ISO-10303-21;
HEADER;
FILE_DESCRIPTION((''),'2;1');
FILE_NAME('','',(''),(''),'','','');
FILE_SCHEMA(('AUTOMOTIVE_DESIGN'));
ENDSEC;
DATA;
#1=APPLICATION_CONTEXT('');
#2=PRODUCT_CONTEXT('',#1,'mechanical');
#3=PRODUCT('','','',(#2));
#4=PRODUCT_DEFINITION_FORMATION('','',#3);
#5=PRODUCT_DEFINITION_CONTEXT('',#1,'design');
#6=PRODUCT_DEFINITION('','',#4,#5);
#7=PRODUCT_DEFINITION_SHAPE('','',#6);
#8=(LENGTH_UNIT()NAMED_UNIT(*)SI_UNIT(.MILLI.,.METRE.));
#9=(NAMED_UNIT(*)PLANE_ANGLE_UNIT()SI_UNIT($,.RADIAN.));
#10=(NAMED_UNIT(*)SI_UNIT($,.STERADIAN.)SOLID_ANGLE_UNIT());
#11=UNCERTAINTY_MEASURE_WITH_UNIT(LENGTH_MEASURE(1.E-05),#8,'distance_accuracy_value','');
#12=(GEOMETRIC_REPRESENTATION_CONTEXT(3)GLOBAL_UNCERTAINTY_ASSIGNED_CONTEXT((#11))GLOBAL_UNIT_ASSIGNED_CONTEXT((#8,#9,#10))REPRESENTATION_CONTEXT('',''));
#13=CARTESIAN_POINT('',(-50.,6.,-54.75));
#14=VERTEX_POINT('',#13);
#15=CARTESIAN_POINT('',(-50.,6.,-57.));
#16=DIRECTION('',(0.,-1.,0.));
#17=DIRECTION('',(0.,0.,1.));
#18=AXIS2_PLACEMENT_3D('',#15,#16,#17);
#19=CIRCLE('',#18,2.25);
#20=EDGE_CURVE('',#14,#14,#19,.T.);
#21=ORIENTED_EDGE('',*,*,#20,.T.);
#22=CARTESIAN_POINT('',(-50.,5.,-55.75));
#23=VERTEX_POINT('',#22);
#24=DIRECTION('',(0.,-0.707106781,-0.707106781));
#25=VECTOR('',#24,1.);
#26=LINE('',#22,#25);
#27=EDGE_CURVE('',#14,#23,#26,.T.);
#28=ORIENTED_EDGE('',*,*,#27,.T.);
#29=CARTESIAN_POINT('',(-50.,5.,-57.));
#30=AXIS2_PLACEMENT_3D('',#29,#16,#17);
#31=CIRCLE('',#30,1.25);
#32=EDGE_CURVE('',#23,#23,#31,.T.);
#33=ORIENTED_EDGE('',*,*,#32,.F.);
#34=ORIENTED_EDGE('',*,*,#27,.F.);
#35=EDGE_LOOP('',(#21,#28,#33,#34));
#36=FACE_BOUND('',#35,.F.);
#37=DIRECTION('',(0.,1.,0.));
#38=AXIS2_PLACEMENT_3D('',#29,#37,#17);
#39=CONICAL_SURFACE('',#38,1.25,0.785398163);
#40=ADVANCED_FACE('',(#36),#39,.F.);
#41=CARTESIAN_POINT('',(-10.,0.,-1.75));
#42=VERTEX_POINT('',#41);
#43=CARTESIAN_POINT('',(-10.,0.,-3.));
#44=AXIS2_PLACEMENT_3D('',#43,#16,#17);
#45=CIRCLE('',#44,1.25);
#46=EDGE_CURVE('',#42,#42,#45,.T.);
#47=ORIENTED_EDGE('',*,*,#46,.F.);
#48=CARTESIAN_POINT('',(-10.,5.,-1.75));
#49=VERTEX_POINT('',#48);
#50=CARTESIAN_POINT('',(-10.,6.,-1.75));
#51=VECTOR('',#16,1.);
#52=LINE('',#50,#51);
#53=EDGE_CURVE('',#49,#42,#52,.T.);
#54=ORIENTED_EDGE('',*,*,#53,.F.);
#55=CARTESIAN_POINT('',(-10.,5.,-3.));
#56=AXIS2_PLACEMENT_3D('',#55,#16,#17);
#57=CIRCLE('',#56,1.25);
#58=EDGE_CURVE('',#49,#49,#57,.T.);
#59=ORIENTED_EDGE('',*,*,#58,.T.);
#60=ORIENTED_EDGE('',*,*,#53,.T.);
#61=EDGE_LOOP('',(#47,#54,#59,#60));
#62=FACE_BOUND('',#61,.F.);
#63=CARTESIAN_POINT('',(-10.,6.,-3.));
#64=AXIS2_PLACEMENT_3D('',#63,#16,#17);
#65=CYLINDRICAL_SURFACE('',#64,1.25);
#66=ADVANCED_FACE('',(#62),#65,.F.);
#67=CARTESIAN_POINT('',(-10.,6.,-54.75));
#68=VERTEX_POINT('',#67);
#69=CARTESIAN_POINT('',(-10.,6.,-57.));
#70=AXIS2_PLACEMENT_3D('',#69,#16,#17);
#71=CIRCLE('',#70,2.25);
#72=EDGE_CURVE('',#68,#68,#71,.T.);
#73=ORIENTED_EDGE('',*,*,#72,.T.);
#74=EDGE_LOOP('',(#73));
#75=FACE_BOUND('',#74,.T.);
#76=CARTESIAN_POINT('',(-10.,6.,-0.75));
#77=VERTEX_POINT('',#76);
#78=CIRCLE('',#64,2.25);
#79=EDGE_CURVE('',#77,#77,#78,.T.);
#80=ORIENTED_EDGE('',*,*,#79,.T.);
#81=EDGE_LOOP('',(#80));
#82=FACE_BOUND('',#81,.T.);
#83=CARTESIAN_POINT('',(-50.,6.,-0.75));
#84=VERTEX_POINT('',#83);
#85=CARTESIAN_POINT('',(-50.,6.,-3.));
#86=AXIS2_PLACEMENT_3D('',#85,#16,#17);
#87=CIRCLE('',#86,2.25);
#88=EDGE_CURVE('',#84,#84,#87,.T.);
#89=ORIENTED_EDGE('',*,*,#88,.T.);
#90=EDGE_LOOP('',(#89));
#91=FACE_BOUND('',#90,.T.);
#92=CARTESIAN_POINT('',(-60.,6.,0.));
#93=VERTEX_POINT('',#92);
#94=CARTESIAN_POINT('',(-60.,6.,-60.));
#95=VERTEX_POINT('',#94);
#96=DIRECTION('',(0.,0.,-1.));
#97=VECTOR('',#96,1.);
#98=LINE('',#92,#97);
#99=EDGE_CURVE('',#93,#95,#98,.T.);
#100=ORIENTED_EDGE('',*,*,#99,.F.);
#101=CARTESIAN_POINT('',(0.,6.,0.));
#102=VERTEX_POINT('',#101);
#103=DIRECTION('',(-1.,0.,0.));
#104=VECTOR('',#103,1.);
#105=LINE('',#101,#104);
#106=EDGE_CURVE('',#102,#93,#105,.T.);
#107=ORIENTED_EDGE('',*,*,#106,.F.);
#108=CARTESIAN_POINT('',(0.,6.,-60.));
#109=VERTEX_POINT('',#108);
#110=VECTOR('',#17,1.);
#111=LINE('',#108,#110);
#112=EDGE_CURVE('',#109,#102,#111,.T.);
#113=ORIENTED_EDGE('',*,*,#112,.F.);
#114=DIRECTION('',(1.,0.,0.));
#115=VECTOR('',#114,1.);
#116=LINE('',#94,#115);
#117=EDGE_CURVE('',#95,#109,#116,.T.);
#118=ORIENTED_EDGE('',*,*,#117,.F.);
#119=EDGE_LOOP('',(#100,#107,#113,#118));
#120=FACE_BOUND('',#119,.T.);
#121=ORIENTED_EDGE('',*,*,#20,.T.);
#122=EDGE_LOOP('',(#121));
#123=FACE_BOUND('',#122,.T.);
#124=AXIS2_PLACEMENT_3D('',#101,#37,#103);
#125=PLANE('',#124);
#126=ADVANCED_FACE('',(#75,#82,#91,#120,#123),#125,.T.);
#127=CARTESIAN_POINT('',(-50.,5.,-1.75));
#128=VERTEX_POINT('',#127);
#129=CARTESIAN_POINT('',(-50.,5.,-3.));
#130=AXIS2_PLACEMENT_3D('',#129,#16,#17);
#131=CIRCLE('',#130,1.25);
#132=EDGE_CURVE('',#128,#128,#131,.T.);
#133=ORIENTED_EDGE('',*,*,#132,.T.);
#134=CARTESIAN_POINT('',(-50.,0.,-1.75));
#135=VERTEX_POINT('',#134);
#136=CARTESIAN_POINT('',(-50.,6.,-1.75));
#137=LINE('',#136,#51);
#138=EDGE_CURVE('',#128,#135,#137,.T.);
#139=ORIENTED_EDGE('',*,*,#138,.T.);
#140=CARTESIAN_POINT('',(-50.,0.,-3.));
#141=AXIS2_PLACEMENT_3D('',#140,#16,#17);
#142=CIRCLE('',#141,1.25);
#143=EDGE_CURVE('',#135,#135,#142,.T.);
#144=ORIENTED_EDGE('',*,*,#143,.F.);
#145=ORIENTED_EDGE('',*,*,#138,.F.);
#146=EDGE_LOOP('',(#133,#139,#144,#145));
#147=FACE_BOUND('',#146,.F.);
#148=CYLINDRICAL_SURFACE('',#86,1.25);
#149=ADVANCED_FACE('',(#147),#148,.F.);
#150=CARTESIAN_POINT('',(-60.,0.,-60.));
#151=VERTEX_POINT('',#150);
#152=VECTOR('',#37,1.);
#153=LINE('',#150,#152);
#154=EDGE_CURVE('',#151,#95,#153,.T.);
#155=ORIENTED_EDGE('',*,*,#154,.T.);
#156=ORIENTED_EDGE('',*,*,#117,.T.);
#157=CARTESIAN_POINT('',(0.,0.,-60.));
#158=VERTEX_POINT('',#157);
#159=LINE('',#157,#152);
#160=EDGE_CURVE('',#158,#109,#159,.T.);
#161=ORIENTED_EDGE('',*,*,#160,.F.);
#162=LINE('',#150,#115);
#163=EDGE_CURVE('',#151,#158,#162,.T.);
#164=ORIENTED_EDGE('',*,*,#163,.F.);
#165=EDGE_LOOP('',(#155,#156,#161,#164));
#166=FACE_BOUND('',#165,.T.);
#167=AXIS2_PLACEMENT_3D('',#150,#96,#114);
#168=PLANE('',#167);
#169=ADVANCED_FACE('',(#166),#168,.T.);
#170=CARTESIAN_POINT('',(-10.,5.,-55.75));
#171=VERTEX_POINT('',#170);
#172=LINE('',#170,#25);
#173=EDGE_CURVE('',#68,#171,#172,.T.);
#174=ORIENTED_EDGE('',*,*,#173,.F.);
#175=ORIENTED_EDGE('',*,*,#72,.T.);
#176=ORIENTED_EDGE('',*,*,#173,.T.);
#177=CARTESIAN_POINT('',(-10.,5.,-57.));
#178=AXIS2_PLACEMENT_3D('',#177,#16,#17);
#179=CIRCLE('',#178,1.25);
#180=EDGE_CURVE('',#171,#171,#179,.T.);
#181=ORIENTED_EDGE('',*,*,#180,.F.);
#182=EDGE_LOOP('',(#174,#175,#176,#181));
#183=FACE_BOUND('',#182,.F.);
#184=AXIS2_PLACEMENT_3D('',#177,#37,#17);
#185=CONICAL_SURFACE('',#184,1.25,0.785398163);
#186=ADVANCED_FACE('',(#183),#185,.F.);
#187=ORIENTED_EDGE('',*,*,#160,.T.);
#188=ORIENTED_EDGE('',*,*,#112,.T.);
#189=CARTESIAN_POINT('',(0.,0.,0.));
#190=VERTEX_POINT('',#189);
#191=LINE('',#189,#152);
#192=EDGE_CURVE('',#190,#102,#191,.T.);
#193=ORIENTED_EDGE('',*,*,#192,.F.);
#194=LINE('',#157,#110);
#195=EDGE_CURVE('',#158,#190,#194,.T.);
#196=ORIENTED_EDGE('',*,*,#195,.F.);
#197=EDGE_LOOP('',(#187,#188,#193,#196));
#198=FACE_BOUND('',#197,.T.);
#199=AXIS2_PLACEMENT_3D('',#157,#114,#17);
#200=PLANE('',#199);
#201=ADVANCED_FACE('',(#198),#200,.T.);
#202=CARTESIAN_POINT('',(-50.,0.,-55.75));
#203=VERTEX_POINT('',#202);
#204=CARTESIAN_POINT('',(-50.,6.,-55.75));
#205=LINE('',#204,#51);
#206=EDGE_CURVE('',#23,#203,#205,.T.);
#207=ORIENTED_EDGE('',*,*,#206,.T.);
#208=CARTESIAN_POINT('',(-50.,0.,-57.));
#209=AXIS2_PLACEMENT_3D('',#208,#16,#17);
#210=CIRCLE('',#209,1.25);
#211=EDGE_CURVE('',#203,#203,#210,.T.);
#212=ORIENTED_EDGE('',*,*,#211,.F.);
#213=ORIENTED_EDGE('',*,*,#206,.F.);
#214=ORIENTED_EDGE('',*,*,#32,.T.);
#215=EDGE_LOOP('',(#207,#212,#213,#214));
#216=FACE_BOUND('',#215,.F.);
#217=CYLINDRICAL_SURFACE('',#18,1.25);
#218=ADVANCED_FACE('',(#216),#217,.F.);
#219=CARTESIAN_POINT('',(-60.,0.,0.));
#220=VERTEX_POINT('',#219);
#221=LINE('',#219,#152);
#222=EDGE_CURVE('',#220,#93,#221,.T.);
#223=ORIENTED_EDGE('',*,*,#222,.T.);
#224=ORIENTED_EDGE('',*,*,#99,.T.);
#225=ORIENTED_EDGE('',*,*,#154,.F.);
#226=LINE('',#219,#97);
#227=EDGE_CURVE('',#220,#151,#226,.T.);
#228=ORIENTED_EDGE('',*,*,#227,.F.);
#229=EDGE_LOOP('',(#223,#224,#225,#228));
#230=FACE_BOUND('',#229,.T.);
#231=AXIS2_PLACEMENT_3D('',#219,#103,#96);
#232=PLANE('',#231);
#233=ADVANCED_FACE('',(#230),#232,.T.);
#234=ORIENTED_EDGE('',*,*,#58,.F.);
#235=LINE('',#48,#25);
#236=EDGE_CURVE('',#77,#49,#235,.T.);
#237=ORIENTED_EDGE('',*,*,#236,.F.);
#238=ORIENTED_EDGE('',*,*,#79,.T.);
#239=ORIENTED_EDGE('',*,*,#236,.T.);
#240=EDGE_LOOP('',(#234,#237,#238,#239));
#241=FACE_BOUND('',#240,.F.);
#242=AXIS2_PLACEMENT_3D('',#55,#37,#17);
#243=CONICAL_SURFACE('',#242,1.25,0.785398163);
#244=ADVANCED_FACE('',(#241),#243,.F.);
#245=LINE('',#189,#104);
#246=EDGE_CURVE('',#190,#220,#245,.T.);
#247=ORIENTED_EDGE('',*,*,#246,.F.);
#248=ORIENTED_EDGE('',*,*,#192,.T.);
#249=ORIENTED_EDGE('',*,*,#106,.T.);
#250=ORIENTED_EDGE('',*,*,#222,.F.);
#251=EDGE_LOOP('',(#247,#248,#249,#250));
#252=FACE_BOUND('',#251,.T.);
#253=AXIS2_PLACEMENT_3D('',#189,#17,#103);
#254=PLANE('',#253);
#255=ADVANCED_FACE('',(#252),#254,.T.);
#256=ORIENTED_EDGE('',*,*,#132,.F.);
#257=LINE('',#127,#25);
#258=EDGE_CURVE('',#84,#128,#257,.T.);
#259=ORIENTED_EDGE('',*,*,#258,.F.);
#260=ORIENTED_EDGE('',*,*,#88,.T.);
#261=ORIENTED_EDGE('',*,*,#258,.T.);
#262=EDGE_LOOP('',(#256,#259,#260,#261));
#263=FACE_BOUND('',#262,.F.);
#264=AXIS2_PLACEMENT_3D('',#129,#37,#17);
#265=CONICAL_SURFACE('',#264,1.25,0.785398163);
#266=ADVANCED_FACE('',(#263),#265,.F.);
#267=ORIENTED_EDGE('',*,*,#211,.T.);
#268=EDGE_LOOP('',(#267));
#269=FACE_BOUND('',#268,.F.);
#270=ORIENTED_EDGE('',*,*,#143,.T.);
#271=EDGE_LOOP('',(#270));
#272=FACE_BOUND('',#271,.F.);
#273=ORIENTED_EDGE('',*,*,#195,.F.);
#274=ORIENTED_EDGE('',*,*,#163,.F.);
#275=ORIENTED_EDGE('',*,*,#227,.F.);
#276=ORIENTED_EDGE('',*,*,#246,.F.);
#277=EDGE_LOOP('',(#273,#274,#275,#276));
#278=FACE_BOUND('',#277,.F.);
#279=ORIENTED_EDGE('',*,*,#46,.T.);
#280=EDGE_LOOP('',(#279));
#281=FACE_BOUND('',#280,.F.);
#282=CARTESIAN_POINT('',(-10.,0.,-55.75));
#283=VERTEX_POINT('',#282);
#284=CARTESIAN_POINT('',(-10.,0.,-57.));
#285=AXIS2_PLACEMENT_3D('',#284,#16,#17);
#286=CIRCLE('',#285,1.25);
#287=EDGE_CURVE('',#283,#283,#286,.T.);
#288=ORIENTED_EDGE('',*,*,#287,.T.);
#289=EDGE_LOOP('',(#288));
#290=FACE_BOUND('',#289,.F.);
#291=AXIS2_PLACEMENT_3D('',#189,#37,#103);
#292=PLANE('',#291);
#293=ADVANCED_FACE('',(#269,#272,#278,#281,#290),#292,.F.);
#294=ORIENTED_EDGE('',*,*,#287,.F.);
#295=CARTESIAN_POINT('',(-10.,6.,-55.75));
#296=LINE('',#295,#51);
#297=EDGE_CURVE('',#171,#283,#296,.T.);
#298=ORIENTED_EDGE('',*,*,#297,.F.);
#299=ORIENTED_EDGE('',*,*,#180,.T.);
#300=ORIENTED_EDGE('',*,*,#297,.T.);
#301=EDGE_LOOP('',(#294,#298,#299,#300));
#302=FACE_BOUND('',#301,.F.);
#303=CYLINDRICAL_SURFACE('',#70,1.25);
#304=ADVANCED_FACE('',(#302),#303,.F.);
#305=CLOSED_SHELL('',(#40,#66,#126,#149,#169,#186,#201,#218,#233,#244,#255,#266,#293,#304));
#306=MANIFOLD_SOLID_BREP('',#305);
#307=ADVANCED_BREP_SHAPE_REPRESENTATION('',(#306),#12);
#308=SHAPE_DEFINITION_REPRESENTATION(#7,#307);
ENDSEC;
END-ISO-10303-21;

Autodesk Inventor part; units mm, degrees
ref_plane "YZ Plane" through (0, 0, 0) normal (1, 0, 0) x (0, 1, 0)
ref_plane "XZ Plane" through (0, 0, 0) normal (0, 1, 0) x (-1, 0, 0)
ref_plane "XY Plane" through (0, 0, 0) normal (0, 0, 1) x (1, 0, 0)
sketch "Skizze1" plane through (0, 0, 0) normal (0, 1, 0) x (-1, 0, 0)
  line L0 (0, 0) -> (60, 0)
  line L1 (60, 0) -> (60, -60)
  line L2 (60, -60) -> (0, -60)
  line L3 (0, -60) -> (0, 0)
  dimension "d0" = 60
  dimension "d1" = 60
extrude "Extrusion1" add sketch "Skizze1" along normal blind 6
sketch "m" plane through (0, 6, 0) normal (0, 1, 0) x (1, 0, 0)
  line L0 (-60, 0) -> (0, 0) projected
  line L1 (-60, 60) -> (-60, 0) projected
  line L2 (0, 0) -> (0, 60) projected
  line L3 (0, 60) -> (-60, 60) projected
  point P0 (-50, 3)
  point P1 (-10, 3)
  point P2 (-50, 57)
  point P3 (-10, 57)
  dimension "d4" = 3
  dimension "d5" = 10
  dimension "d6" = 10
  dimension "d7" = 3
hole "Bohrung1" at (-50, 6, -3) at (-10, 6, -3) at (-50, 6, -57) at (-10, 6, -57) direction (0, -1, 0) diameter 2.5 depth 10 tip angle 118
chamfer "Fase1" distance 1 angle 45 4 edges at (-10, 6, -58.25) (-50, 6, -58.25) (-10, 6, -4.25) (-50, 6, -4.25)
properties part number "AkkuHaltBoden"
